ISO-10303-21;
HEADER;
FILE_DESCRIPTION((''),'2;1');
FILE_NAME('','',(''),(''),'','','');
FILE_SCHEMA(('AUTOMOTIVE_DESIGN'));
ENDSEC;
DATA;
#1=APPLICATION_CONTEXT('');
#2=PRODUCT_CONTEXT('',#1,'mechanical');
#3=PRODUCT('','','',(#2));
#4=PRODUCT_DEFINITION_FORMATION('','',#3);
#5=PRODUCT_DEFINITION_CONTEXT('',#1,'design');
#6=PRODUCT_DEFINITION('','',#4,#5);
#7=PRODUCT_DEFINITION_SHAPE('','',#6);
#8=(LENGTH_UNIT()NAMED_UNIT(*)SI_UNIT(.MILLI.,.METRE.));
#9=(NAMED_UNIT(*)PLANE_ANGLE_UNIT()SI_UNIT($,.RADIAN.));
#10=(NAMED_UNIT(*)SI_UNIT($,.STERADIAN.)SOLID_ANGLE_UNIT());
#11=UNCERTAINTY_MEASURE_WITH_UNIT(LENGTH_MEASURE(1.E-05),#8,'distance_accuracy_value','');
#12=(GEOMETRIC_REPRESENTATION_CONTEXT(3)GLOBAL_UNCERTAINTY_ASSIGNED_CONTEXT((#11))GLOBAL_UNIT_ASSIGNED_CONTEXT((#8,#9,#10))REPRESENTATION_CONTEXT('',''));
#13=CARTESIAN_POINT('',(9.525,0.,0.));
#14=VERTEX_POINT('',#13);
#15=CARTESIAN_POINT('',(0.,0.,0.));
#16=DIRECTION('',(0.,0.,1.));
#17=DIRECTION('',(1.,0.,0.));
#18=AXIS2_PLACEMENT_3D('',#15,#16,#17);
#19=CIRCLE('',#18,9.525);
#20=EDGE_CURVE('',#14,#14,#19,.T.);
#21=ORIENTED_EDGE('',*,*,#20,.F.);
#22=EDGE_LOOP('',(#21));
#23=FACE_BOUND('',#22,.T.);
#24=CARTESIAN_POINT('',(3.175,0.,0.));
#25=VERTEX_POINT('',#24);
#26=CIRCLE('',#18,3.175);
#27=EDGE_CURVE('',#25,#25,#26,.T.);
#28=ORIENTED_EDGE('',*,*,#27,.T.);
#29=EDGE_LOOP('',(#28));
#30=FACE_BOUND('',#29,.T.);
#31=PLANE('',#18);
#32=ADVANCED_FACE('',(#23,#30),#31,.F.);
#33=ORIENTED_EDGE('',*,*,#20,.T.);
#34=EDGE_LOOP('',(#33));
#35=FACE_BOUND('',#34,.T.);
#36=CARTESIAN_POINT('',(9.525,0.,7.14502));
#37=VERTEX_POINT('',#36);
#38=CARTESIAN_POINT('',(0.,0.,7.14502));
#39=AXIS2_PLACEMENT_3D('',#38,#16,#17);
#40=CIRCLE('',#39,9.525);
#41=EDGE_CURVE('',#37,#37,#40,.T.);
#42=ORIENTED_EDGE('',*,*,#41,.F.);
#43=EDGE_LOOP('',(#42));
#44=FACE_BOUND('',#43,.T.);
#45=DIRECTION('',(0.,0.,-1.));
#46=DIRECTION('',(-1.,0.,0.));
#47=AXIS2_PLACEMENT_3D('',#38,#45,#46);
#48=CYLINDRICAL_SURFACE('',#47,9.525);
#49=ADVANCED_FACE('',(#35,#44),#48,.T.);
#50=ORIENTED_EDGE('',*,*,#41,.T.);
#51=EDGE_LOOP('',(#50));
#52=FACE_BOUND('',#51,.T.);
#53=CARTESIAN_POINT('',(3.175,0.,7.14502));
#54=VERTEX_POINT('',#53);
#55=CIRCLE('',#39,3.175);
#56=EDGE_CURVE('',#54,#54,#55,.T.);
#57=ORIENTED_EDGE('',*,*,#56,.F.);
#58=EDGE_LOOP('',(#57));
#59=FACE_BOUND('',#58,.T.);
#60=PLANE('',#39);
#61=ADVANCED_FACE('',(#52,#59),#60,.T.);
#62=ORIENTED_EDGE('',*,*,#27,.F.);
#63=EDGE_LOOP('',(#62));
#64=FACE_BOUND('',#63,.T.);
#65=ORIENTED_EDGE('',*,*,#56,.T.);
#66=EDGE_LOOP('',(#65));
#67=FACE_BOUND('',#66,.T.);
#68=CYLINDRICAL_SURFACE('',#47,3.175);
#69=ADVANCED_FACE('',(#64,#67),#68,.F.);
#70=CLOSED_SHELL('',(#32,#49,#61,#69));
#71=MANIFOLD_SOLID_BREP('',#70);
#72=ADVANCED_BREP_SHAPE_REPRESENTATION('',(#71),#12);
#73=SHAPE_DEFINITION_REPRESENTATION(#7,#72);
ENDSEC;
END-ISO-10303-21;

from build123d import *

# Parameters (mm, degrees)
SKETCH1_R           = 9.525
SKETCH1_R_2         = 3.175
BOSS_EXTRUDE1_DEPTH = 7.14502


with BuildPart() as part:
    # Sketch1 → Boss-Extrude1 (new body)
    with BuildSketch(Plane.XY):
        Circle(SKETCH1_R)
        Circle(SKETCH1_R_2, mode=Mode.SUBTRACT)
    extrude(amount=BOSS_EXTRUDE1_DEPTH)


solid = part.part
